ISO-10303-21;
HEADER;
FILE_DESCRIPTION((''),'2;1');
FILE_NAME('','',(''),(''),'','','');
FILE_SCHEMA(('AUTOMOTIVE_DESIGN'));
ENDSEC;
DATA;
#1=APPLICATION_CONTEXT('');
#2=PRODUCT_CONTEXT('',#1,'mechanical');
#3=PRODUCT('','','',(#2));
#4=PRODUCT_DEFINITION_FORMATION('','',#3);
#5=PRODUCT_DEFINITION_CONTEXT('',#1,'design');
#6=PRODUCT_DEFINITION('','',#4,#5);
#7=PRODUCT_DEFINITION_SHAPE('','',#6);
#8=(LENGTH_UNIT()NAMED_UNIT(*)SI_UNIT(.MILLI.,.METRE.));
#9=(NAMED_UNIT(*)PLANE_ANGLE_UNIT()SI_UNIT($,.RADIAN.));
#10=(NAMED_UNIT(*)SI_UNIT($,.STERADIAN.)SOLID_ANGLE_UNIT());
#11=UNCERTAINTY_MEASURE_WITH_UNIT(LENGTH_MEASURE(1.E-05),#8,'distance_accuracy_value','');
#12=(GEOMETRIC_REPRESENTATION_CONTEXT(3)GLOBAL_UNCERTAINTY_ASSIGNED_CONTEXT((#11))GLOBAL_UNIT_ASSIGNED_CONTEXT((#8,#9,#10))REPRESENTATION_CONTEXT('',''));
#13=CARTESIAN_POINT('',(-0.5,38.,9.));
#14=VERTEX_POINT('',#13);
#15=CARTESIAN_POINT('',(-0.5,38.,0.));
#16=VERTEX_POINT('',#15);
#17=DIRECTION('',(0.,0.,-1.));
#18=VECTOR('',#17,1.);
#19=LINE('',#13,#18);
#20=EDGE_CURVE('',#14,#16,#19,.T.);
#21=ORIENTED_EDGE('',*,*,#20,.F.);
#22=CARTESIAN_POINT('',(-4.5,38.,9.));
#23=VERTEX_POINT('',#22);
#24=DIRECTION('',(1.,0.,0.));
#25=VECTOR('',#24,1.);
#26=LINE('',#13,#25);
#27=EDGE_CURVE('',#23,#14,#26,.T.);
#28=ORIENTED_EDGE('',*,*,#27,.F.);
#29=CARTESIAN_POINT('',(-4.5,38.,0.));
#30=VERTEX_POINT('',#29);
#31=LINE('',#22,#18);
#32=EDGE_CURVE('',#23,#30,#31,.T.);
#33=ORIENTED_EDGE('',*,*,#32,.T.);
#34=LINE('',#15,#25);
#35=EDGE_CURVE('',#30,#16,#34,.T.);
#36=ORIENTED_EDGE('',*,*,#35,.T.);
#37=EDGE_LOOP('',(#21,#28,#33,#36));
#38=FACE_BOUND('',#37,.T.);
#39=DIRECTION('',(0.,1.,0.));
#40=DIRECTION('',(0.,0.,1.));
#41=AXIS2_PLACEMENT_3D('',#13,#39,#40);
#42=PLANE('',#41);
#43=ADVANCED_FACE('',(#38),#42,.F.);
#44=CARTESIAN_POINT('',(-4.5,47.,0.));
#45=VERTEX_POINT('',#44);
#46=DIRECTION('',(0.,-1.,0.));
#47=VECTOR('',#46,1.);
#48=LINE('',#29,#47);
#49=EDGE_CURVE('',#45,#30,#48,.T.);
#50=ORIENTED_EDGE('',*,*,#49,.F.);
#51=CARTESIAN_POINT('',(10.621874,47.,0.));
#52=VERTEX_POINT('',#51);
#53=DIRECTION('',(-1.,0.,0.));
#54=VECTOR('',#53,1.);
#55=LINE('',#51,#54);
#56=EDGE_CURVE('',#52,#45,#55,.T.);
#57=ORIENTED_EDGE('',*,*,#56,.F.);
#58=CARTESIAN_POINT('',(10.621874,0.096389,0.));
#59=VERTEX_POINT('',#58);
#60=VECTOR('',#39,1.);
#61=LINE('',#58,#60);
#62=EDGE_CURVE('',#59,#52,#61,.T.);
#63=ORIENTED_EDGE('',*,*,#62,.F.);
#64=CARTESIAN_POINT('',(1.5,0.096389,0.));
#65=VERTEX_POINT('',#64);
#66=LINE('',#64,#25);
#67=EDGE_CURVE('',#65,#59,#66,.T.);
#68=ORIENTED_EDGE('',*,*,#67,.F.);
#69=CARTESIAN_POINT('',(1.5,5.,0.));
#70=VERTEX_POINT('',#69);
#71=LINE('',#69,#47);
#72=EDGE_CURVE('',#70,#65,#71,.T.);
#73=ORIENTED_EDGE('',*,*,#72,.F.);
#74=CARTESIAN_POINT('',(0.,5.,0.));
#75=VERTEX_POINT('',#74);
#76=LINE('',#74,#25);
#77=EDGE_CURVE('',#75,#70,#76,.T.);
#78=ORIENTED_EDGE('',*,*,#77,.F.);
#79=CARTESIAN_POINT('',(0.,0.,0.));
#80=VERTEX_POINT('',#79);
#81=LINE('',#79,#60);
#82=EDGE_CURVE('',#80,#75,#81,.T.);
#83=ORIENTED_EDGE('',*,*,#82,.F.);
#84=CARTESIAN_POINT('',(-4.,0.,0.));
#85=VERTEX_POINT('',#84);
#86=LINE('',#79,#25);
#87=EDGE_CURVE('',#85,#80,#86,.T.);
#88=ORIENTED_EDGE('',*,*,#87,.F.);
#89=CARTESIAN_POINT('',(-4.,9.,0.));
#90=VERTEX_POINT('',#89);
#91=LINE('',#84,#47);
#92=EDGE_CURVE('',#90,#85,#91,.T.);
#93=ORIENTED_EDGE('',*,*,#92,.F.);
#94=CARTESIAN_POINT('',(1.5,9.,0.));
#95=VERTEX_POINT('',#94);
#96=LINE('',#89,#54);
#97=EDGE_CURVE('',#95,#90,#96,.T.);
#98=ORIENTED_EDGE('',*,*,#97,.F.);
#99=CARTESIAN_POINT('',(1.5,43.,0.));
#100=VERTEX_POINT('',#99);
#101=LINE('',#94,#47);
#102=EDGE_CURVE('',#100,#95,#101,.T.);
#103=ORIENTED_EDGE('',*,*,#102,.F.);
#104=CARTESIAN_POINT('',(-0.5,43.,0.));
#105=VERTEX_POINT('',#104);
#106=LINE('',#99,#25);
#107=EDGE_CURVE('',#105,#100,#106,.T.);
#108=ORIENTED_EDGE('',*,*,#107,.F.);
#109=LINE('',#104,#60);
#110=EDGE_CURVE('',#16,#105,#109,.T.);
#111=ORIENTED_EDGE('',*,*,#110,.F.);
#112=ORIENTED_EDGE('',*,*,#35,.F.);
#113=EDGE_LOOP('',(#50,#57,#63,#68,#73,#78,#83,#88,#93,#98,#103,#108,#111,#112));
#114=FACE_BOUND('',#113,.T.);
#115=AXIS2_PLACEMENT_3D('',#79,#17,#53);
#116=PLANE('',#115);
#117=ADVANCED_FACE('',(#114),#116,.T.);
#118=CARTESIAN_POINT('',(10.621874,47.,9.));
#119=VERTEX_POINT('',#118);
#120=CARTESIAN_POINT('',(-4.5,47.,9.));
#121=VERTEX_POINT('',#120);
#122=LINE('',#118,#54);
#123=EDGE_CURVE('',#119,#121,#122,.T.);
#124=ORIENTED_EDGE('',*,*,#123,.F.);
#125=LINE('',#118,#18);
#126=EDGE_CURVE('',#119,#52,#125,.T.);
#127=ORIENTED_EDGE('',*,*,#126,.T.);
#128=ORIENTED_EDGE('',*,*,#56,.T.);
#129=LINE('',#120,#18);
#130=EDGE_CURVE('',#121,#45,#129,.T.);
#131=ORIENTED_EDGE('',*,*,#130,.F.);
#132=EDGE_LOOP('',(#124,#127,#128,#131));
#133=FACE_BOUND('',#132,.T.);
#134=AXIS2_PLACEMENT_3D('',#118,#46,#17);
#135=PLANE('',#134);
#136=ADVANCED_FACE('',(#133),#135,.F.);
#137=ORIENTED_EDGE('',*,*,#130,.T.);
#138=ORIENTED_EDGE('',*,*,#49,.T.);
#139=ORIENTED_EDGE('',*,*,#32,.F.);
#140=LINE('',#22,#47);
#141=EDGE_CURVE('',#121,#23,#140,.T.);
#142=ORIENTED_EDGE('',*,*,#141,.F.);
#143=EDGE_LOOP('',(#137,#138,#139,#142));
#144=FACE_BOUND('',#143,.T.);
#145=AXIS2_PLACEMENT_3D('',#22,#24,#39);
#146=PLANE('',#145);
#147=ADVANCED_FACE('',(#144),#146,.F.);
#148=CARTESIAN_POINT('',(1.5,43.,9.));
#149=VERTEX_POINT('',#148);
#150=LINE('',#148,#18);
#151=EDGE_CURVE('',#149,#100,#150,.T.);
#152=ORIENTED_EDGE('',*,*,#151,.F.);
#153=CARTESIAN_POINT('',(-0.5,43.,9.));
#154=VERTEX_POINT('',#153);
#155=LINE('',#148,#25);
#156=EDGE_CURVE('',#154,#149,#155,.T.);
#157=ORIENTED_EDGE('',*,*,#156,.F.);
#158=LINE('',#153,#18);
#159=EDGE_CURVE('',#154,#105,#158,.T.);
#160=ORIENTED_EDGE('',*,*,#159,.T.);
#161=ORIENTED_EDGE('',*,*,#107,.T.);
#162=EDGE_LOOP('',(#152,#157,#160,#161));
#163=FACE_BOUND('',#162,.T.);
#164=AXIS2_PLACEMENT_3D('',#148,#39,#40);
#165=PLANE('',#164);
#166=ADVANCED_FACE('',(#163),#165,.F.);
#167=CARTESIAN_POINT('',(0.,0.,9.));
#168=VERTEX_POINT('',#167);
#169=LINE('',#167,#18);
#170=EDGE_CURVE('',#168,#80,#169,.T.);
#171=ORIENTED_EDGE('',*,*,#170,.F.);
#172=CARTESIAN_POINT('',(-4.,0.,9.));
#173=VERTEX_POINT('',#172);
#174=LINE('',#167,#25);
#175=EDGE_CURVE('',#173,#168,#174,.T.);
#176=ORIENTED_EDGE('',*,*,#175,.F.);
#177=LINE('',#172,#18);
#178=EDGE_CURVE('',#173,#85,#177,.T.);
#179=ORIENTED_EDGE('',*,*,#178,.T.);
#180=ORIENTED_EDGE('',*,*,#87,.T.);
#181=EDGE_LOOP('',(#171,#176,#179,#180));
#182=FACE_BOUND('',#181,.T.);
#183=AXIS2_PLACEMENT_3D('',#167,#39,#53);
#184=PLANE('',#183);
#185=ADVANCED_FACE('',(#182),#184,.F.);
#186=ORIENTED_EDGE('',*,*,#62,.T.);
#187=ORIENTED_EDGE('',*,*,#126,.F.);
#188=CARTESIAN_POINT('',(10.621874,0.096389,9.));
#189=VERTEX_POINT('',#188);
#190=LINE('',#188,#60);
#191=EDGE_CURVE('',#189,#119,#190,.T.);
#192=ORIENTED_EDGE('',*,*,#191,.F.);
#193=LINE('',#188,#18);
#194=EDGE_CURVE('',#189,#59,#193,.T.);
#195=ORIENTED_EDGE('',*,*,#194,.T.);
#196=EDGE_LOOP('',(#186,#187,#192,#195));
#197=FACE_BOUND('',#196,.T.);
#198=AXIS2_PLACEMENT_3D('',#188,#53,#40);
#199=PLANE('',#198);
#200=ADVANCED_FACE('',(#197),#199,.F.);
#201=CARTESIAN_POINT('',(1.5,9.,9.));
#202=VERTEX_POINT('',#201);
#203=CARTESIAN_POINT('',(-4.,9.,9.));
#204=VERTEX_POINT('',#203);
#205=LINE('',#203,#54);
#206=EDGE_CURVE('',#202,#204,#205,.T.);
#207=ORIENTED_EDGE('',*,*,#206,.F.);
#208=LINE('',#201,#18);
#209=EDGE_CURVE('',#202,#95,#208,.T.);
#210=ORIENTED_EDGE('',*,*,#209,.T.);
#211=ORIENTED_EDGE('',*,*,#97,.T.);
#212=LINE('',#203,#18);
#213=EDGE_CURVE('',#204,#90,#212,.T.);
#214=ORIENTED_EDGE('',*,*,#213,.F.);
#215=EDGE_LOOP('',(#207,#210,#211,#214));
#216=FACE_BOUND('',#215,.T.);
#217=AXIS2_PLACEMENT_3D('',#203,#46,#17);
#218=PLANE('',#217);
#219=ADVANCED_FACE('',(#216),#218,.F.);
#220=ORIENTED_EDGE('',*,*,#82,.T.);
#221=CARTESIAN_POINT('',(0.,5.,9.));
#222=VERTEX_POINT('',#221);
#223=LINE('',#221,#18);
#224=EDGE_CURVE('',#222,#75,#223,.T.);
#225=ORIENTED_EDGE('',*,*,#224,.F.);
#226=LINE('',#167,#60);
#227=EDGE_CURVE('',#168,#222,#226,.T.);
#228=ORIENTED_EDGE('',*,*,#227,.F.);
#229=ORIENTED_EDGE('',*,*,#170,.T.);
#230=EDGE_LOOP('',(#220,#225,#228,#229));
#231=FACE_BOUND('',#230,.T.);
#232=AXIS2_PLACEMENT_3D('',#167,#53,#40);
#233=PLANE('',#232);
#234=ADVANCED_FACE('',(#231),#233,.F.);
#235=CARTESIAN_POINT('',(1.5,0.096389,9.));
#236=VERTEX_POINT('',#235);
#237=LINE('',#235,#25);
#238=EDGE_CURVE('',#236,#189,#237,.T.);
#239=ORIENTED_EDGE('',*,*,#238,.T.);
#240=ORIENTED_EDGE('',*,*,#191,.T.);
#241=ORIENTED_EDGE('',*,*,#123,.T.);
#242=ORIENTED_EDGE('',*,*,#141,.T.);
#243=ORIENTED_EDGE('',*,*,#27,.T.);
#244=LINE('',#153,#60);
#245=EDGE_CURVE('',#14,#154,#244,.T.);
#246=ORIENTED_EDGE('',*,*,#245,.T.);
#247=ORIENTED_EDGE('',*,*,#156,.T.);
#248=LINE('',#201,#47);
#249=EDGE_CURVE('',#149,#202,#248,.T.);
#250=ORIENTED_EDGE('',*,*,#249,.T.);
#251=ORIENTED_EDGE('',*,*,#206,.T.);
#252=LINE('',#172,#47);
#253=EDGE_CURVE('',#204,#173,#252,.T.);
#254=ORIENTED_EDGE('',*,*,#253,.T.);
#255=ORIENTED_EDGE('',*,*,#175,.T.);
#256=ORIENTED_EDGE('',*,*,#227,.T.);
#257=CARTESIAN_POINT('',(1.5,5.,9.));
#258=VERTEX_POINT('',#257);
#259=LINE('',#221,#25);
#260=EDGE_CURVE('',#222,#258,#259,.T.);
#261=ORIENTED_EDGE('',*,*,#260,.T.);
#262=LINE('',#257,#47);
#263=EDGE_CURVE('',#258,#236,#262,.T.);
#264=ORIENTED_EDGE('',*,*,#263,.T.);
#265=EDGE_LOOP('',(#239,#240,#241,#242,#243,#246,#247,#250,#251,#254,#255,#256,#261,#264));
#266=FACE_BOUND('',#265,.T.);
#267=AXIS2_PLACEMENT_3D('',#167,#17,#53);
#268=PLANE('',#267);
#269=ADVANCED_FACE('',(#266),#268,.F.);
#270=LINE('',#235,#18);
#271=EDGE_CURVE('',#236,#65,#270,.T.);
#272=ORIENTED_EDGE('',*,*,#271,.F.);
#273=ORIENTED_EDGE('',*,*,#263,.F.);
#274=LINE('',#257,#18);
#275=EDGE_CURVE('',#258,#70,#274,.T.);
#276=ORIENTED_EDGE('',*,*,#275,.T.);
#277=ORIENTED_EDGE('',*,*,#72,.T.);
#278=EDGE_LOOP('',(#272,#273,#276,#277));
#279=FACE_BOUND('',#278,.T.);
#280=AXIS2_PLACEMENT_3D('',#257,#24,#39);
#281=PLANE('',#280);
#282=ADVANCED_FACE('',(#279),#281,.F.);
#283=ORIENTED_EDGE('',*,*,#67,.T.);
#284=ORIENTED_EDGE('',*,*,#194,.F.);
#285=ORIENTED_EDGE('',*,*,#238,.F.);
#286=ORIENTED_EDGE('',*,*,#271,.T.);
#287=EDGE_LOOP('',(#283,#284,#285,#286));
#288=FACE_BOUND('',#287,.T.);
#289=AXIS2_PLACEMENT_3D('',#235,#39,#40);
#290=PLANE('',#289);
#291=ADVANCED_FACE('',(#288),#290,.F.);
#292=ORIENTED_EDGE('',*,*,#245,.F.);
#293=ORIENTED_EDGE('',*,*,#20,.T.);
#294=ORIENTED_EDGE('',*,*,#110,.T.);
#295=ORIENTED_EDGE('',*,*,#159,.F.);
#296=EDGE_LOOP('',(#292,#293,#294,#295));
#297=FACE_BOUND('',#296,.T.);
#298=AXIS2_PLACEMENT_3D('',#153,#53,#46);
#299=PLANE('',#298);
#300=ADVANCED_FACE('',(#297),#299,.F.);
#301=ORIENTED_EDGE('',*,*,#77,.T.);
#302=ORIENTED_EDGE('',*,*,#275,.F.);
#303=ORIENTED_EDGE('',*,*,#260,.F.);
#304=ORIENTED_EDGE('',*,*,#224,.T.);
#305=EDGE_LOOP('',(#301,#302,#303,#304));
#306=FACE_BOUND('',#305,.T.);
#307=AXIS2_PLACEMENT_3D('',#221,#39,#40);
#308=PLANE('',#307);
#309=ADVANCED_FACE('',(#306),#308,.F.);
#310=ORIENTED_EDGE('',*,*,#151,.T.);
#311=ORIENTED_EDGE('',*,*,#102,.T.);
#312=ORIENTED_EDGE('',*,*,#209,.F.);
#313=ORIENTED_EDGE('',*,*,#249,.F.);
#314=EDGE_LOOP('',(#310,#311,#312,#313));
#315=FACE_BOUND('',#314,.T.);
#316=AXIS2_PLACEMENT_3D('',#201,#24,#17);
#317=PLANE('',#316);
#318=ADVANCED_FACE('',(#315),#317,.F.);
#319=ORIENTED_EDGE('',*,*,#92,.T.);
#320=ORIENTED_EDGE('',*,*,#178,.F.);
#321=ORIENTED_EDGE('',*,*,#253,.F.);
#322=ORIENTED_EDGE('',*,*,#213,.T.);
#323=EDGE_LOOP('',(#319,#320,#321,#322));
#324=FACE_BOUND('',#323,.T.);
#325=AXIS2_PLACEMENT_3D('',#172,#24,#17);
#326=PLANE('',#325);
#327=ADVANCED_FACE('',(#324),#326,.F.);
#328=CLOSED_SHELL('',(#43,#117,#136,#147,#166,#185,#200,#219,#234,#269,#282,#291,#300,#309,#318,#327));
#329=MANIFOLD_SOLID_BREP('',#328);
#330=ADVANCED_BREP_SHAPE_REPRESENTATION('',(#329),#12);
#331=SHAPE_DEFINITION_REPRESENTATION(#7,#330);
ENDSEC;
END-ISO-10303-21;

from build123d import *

# Parameters (mm, degrees)
BOSS_EXTRU_1_DEPTH = 9


with BuildPart() as part:
    # Esquisse1 → Boss.-Extru.1 (new body)
    with BuildSketch(Plane.XY):
        Polygon((0, 0), (0, 5), (1.5, 5), (1.5, 0.09638948), (10.621873618, 0.09638948), (10.621873618, 47), (-4.5, 47), (-4.5, 38), (-0.5, 38), (-0.5, 43), (1.5, 43), (1.5, 9), (-4, 9), (-4, 0), align=None)
    extrude(amount=BOSS_EXTRU_1_DEPTH)


solid = part.part
